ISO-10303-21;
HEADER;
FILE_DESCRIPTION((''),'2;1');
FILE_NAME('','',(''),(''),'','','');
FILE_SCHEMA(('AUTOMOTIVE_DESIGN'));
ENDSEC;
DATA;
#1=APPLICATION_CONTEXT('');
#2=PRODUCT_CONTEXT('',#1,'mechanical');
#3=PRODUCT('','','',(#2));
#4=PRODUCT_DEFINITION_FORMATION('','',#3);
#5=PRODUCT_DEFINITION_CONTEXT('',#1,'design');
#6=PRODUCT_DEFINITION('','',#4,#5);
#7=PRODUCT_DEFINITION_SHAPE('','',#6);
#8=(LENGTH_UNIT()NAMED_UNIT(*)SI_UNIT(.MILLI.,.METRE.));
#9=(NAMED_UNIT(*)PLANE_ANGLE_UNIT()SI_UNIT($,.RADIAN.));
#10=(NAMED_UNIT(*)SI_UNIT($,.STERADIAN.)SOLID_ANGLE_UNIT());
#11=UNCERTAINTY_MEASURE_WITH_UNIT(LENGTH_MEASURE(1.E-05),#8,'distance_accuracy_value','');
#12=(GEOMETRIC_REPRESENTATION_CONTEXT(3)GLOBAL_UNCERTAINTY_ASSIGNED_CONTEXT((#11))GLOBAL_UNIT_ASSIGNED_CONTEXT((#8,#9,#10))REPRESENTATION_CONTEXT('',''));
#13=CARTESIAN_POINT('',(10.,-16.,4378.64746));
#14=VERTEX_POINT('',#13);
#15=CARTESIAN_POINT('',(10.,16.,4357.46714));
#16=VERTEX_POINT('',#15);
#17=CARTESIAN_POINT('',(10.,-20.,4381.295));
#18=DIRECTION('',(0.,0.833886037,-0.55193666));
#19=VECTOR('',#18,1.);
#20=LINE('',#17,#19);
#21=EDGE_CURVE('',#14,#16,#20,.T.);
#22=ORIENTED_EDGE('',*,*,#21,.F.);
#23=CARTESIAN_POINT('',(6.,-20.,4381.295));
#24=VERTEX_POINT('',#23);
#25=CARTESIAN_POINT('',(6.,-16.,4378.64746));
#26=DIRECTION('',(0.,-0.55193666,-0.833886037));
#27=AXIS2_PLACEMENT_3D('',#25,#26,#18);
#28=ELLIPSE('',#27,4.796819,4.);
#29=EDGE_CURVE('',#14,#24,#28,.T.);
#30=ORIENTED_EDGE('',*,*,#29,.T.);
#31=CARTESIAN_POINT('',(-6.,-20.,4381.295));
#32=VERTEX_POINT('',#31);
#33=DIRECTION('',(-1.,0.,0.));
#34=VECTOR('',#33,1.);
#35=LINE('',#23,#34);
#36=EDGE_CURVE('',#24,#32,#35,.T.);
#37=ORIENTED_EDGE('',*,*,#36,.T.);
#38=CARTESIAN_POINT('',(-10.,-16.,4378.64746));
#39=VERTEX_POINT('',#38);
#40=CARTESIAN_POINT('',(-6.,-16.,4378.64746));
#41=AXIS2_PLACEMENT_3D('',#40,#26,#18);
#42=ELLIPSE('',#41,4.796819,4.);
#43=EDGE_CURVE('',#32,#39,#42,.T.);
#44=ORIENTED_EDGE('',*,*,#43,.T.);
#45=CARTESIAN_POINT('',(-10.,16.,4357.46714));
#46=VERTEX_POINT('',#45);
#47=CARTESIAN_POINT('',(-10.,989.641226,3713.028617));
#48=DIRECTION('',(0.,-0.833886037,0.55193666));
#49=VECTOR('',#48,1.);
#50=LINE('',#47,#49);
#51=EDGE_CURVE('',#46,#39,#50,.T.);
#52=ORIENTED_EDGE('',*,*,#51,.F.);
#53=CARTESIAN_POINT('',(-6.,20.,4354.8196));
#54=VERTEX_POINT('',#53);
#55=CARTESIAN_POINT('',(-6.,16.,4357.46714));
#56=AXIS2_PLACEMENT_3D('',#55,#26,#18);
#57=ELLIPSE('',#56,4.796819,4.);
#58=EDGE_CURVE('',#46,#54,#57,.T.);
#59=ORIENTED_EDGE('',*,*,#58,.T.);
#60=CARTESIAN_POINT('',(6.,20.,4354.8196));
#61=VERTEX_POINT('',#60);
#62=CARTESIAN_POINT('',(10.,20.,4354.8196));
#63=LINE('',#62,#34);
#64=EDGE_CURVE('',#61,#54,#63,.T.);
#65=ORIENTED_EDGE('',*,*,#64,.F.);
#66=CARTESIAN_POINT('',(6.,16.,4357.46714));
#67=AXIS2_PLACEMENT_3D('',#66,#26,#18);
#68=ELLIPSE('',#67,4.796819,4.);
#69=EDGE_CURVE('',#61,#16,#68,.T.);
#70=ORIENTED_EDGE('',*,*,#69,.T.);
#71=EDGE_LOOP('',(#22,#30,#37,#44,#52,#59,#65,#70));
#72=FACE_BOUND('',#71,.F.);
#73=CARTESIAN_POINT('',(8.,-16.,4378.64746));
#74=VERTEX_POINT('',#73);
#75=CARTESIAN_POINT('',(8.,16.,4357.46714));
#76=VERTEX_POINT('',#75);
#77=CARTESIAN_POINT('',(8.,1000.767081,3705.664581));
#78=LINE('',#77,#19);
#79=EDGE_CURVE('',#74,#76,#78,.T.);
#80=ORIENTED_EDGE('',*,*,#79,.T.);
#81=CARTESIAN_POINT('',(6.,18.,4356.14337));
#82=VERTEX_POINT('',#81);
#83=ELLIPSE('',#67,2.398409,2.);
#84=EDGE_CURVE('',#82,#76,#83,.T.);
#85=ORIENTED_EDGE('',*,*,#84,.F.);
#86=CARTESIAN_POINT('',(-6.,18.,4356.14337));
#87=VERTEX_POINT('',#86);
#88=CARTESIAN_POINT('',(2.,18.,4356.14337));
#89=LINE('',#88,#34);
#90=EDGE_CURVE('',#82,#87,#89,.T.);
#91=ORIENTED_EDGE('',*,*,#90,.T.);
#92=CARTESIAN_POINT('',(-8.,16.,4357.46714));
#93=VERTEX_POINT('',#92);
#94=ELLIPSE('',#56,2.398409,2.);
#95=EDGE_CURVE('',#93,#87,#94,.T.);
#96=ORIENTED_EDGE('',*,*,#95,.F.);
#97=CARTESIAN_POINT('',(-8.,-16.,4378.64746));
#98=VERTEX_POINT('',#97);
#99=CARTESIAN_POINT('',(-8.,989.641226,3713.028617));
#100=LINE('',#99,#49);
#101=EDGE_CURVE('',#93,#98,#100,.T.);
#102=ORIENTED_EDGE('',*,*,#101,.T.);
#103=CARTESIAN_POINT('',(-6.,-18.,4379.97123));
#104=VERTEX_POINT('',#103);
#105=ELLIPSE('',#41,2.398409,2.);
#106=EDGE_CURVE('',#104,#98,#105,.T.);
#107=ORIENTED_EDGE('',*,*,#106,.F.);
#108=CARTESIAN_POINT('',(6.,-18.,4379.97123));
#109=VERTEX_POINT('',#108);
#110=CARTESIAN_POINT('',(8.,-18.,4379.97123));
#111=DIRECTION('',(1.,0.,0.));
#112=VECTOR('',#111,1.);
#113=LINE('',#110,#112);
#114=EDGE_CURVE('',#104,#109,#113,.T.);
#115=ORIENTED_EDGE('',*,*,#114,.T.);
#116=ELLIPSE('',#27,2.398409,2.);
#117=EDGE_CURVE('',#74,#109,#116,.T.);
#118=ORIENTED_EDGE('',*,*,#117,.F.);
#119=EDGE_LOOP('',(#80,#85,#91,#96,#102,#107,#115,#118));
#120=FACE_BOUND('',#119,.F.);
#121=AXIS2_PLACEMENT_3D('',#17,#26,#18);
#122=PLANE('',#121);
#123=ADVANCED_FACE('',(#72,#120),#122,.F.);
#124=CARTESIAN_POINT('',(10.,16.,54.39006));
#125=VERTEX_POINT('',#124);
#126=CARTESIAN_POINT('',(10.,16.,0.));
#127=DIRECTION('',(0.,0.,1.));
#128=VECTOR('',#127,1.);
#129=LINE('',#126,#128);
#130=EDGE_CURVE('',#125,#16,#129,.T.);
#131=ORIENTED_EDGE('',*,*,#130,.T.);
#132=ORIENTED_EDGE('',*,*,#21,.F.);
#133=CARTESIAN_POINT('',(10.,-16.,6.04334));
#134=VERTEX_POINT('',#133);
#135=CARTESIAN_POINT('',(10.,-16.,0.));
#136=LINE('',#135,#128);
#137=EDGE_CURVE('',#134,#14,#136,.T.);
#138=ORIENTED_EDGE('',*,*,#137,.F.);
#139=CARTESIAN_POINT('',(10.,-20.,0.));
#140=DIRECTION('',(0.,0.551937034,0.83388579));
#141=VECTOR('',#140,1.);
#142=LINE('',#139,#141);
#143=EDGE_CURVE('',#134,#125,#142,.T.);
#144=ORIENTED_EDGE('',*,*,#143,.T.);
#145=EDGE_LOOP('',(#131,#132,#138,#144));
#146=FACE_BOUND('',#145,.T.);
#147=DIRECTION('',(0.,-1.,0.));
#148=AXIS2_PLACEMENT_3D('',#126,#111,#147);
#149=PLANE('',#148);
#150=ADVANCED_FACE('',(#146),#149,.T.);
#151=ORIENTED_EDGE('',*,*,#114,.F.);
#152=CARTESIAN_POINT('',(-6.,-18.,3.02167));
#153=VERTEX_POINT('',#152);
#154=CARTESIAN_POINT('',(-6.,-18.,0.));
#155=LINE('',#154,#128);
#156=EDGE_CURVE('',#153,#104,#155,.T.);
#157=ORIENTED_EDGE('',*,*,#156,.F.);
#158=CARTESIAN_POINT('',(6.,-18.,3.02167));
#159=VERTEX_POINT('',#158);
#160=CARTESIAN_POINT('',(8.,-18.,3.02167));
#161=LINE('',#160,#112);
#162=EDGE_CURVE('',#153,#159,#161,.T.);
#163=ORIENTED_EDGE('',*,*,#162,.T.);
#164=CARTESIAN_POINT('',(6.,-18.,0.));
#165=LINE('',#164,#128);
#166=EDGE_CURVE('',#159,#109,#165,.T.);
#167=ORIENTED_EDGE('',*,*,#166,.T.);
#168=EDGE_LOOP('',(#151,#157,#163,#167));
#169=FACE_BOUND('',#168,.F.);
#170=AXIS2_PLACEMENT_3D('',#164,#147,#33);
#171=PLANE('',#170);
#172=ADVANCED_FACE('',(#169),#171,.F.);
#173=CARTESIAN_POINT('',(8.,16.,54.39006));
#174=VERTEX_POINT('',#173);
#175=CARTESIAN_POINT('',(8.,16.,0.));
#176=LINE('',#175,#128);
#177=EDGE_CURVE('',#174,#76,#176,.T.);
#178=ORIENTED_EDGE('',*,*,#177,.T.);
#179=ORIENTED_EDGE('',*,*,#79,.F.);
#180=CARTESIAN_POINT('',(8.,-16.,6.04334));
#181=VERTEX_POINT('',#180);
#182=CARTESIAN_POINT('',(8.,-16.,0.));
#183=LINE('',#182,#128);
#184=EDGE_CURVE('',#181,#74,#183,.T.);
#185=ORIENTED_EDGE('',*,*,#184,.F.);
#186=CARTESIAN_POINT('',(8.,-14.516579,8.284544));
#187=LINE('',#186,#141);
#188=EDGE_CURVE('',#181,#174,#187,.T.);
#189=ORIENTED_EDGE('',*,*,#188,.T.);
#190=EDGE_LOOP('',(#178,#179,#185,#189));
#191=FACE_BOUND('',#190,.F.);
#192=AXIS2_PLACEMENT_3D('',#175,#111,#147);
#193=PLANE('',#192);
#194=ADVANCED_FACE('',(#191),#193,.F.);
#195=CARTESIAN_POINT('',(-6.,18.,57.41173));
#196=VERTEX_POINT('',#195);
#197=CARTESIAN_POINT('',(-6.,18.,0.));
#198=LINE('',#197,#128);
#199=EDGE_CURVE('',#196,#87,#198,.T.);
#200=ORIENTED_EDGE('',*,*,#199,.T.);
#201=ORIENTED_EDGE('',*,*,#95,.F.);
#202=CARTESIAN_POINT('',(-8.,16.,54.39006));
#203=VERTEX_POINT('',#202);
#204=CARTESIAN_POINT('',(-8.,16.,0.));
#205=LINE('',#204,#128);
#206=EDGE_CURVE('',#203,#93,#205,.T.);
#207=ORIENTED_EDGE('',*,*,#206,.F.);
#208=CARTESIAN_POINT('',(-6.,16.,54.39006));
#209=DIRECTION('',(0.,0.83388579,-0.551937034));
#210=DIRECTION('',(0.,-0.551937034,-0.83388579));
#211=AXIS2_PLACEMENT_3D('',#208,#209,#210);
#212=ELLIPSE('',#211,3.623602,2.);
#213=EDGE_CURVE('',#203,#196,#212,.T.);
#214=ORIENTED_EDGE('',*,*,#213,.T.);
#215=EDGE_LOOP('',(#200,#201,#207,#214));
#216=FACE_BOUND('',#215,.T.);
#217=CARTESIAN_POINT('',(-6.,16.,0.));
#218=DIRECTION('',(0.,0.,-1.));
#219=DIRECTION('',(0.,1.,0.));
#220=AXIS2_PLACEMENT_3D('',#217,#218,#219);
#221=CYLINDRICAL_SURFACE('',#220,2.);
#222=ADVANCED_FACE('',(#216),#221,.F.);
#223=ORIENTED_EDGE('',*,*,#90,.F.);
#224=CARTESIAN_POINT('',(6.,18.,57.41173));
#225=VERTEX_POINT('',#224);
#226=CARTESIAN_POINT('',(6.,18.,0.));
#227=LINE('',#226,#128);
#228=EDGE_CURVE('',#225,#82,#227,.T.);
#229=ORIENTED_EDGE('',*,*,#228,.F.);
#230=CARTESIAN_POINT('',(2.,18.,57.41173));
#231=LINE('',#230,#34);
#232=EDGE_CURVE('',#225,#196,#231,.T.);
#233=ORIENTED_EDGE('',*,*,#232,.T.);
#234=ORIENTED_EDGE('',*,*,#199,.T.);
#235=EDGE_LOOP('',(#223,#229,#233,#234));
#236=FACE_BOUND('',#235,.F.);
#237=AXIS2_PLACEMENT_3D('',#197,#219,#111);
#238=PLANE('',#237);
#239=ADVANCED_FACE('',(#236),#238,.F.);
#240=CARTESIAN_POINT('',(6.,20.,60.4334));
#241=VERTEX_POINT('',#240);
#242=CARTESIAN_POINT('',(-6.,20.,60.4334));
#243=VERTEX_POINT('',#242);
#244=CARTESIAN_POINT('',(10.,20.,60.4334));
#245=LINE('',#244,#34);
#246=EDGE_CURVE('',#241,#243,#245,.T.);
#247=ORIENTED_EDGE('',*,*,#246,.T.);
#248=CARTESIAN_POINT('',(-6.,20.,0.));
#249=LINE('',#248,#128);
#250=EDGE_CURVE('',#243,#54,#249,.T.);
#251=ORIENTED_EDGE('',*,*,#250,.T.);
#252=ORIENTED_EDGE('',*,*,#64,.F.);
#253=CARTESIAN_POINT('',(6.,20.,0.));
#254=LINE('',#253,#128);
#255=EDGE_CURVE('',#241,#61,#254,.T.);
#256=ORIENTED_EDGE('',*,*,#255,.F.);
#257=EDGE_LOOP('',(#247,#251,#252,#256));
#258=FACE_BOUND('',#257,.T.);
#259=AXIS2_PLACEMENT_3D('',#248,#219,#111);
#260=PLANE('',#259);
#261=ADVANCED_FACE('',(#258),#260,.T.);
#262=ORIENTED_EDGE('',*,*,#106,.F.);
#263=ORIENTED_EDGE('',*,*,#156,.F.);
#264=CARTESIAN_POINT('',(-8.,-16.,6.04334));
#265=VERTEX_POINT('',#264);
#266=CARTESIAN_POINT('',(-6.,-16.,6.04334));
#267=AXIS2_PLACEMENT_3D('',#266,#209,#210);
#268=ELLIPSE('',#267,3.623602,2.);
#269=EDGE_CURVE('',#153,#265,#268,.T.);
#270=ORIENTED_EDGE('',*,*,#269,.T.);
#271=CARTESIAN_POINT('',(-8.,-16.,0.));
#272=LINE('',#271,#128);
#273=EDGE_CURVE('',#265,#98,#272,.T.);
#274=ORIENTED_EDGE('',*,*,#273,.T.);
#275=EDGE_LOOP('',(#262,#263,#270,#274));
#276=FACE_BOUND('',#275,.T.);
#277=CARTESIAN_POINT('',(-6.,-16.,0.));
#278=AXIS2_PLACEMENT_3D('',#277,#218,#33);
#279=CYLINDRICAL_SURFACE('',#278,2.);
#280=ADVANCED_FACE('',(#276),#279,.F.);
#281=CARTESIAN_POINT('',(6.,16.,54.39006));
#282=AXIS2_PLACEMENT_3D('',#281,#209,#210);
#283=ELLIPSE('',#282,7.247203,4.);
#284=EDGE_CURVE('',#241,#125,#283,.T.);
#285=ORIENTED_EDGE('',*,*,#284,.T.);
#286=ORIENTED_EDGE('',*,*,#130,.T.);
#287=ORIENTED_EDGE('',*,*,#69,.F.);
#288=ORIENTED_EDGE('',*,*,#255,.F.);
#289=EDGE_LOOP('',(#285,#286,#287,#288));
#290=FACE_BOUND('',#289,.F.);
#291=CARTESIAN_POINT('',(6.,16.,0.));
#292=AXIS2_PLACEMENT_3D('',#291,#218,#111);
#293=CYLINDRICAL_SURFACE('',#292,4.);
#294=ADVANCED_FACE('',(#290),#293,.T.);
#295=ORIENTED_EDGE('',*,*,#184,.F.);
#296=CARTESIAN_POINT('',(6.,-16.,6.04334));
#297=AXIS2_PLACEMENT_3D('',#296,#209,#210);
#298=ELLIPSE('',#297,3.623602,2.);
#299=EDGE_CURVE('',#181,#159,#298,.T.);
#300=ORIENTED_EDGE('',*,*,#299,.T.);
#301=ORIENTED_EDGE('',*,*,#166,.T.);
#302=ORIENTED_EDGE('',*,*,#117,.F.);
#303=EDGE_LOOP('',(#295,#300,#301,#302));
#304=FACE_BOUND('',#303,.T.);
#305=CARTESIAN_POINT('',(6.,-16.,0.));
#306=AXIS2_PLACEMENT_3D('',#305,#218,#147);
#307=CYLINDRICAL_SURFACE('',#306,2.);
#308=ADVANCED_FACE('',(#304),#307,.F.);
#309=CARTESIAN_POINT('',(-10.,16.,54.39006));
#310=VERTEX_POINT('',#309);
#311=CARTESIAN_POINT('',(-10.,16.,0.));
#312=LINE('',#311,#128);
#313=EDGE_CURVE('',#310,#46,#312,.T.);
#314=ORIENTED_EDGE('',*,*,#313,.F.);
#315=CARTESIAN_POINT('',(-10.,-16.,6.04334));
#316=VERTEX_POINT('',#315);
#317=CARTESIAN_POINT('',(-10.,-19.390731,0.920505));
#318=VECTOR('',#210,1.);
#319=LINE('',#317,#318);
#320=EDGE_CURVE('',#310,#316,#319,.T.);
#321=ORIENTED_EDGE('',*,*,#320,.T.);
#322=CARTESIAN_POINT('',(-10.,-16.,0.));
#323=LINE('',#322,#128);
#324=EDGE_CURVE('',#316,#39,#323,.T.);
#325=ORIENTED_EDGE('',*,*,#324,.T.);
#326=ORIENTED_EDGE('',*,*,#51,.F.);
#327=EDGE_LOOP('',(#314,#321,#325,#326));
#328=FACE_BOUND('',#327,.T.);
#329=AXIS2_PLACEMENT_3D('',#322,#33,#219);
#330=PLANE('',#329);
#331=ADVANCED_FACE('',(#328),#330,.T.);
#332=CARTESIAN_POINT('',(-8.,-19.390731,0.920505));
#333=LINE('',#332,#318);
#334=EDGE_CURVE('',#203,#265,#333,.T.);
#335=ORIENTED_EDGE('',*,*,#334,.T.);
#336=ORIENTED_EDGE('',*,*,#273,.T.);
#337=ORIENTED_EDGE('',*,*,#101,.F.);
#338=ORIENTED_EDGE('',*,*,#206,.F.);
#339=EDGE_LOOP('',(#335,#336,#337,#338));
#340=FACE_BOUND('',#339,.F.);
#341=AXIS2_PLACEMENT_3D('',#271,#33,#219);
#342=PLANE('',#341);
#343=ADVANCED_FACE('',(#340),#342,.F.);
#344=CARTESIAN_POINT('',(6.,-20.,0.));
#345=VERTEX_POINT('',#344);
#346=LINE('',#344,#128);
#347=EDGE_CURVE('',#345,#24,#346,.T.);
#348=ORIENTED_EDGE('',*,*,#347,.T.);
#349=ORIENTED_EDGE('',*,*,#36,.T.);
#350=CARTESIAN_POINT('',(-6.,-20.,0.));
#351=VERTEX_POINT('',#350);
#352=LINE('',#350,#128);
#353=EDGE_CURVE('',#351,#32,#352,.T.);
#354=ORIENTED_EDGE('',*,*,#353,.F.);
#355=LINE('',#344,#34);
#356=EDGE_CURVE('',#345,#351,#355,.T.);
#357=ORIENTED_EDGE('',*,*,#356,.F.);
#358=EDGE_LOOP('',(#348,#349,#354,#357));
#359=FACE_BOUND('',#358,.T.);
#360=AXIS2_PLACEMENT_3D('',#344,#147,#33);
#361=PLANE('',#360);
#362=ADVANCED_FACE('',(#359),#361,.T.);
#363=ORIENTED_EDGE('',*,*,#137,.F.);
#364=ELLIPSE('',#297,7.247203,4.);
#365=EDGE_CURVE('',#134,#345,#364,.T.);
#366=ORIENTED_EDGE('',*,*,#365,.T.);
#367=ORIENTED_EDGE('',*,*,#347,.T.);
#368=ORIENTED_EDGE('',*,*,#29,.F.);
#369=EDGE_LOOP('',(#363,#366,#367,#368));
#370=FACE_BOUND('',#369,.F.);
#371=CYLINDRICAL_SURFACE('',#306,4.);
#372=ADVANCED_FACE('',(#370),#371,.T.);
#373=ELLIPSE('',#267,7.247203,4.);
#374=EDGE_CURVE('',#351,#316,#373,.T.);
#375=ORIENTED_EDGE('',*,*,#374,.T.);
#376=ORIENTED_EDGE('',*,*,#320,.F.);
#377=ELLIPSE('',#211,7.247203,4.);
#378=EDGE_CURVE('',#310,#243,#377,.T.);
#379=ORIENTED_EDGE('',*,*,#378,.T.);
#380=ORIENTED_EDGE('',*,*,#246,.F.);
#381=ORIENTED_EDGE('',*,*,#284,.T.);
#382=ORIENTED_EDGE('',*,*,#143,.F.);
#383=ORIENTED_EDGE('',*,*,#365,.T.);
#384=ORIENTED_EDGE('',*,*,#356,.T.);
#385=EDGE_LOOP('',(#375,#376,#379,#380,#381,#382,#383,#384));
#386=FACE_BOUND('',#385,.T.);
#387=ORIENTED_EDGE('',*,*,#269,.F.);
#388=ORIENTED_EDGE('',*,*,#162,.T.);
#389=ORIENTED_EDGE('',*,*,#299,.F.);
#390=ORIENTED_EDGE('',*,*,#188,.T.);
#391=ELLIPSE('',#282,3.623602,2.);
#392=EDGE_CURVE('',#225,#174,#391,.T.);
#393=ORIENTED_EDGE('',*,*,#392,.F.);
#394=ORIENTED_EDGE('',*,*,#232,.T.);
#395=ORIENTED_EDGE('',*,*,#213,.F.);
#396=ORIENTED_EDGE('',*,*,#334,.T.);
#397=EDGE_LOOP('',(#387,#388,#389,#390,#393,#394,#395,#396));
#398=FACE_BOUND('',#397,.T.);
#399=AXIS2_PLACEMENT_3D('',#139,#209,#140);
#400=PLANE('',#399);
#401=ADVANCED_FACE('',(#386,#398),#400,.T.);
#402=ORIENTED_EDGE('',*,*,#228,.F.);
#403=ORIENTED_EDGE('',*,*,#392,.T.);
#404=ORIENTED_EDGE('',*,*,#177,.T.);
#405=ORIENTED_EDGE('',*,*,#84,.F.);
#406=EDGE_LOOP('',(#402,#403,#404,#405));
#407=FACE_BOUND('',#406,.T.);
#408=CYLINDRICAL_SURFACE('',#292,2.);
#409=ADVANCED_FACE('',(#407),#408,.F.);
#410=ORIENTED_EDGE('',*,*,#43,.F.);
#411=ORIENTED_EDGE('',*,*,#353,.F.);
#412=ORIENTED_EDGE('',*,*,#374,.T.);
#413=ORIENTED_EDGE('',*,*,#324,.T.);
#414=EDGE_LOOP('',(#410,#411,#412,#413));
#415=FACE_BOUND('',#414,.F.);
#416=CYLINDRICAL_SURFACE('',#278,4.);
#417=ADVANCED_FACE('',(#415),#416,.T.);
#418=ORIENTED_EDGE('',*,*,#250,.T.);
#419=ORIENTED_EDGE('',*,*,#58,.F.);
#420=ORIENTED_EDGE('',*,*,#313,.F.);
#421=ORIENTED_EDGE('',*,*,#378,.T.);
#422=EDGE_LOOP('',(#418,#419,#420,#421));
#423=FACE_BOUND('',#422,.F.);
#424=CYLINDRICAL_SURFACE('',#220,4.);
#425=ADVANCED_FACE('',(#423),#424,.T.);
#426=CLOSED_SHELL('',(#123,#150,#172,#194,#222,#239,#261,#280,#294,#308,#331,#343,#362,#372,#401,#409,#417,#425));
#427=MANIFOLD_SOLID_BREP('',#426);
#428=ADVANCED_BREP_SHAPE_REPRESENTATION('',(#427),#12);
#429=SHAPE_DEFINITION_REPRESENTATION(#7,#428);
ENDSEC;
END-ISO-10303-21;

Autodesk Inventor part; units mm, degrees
ref_plane "YZ Plane" through (0, 0, 0) normal (1, 0, 0) x (0, 1, 0)
ref_plane "Start plane" through (0, 0, 0) normal (0, 0, 1) x (1, 0, 0)
ref_plane "End plane" through (0, 0, 4381.295) normal (0, 0, 1) x (1, 0, 0)
sketch "Sketch" plane through (0, 0, 0) normal (0, 0, 1) x (1, 0, 0)
  line L0 (-10, -16) -> (-10, 16)
  line L1 (-6, 20) -> (6, 20)
  line L2 (10, 16) -> (10, -16)
  line L3 (6, -20) -> (-6, -20)
  arc A0 (-10, -16) -> (-6, -20) centre (-6, -16) ccw
  arc A1 (10, 16) -> (6, 20) centre (6, 16) ccw
  arc A2 (-6, 20) -> (-10, 16) centre (-6, 16) ccw
  arc A3 (6, -20) -> (10, -16) centre (6, -16) ccw
  arc A4 (-6, 18) -> (-8, 16) centre (-6, 16) ccw
  line L4 (-6, 18) -> (6, 18)
  arc A5 (8, 16) -> (6, 18) centre (6, 16) ccw
  line L5 (8, 16) -> (8, -16)
  arc A6 (6, -18) -> (8, -16) centre (6, -16) ccw
  line L6 (6, -18) -> (-6, -18)
  arc A7 (-8, -16) -> (-6, -18) centre (-6, -16) ccw
  line L7 (-8, -16) -> (-8, 16)
  line L8 (0, 37.1021) -> (0, -37.1021) construction
  line L9 (-23.1021, 0) -> (23.1021, 0) construction
  dimension "d7" = 4
  dimension "d9" = 20
  dimension "d11" = 40
  dimension "d12" = 2
  dimension "d15" = 10
  dimension "d16" = 20
extrude "Body" add sketch "Sketch" along normal up to surface (4381.295 mm away) from surface at 0
sketch "Sketch3" plane through (0, 0, 0) normal (0, 0, 1) x (1, 0, 0)
  line L0 (0, 0) -> (10, 0)
ref_plane "Work Plane3" through (0, 0, 0) normal (0, -1, 0) x (1, 0, 0)
sketch "Sketch6" plane through (10, -16, 4381.295) normal (1, 0, 0) x (0, 0, -1)
  line L0 (0, 32) -> (0, 0) projected
  line L1 (4381.295, -4) -> (0, -4) projected
  line L2 (0, -4) -> (0, 0) projected
  line L3 (0, 32) -> (0, 36) projected
  line L4 (4381.295, 36) -> (0, 36) projected
  line L5 (0, -4) -> (26.4754, 36)
  line L6 (4381.295, 32) -> (4381.295, 36) projected
  line L7 (4381.295, 32) -> (4381.295, 0) projected
  line L8 (4381.295, -4) -> (4381.295, 0) projected
  line L9 (4381.295, -4) -> (4320.8616, 36)
  point P0 (4381.295, 16)
  dimension "d22" = 33.5
  dimension "d28" = 56.5
extrude "Extrusion3" cut sketch "Sketch6" against normal through all contours L3 L4 L5 L2 L0 | L9 L4 L6 L7 L8
sketch "Sketch4" plane through (0, 0, 0) normal (0, -1, 0) x (1, 0, 0)
  line L0 (-2, 0) -> (12, 0) projected
  line L1 (-2, 4381.295) -> (12, 4381.295) projected
  dimension "d18" = 4381.295
equation "\"d7\" = G_IR"
equation "\"d9\" = G_W"
equation "\"d11\" = G_H"
equation "\"d12\" = G_T"
equation "\"d15\" = 0.5 * d9"
equation "\"d16\" = 0.5 * d11"
equation "\"d3\" = G_L"
equation "\"G_W\" = 20"
equation "\"G_H\" = 40"
equation "\"G_T\" = 2"
equation "\"G_IR\" = 4"
equation "\"G_L\" = d18"
equation "\"G_OFFSET_START\" = 0"
equation "\"G_OFFSET_END\" = 0"
equation "\"d14\" = G_OFFSET_END + B_L"
equation "\"B_L\" = 4381.295"
properties part number "ISO 4019 - 40x20x2 - 4381,295" material "Steel, Mild"
